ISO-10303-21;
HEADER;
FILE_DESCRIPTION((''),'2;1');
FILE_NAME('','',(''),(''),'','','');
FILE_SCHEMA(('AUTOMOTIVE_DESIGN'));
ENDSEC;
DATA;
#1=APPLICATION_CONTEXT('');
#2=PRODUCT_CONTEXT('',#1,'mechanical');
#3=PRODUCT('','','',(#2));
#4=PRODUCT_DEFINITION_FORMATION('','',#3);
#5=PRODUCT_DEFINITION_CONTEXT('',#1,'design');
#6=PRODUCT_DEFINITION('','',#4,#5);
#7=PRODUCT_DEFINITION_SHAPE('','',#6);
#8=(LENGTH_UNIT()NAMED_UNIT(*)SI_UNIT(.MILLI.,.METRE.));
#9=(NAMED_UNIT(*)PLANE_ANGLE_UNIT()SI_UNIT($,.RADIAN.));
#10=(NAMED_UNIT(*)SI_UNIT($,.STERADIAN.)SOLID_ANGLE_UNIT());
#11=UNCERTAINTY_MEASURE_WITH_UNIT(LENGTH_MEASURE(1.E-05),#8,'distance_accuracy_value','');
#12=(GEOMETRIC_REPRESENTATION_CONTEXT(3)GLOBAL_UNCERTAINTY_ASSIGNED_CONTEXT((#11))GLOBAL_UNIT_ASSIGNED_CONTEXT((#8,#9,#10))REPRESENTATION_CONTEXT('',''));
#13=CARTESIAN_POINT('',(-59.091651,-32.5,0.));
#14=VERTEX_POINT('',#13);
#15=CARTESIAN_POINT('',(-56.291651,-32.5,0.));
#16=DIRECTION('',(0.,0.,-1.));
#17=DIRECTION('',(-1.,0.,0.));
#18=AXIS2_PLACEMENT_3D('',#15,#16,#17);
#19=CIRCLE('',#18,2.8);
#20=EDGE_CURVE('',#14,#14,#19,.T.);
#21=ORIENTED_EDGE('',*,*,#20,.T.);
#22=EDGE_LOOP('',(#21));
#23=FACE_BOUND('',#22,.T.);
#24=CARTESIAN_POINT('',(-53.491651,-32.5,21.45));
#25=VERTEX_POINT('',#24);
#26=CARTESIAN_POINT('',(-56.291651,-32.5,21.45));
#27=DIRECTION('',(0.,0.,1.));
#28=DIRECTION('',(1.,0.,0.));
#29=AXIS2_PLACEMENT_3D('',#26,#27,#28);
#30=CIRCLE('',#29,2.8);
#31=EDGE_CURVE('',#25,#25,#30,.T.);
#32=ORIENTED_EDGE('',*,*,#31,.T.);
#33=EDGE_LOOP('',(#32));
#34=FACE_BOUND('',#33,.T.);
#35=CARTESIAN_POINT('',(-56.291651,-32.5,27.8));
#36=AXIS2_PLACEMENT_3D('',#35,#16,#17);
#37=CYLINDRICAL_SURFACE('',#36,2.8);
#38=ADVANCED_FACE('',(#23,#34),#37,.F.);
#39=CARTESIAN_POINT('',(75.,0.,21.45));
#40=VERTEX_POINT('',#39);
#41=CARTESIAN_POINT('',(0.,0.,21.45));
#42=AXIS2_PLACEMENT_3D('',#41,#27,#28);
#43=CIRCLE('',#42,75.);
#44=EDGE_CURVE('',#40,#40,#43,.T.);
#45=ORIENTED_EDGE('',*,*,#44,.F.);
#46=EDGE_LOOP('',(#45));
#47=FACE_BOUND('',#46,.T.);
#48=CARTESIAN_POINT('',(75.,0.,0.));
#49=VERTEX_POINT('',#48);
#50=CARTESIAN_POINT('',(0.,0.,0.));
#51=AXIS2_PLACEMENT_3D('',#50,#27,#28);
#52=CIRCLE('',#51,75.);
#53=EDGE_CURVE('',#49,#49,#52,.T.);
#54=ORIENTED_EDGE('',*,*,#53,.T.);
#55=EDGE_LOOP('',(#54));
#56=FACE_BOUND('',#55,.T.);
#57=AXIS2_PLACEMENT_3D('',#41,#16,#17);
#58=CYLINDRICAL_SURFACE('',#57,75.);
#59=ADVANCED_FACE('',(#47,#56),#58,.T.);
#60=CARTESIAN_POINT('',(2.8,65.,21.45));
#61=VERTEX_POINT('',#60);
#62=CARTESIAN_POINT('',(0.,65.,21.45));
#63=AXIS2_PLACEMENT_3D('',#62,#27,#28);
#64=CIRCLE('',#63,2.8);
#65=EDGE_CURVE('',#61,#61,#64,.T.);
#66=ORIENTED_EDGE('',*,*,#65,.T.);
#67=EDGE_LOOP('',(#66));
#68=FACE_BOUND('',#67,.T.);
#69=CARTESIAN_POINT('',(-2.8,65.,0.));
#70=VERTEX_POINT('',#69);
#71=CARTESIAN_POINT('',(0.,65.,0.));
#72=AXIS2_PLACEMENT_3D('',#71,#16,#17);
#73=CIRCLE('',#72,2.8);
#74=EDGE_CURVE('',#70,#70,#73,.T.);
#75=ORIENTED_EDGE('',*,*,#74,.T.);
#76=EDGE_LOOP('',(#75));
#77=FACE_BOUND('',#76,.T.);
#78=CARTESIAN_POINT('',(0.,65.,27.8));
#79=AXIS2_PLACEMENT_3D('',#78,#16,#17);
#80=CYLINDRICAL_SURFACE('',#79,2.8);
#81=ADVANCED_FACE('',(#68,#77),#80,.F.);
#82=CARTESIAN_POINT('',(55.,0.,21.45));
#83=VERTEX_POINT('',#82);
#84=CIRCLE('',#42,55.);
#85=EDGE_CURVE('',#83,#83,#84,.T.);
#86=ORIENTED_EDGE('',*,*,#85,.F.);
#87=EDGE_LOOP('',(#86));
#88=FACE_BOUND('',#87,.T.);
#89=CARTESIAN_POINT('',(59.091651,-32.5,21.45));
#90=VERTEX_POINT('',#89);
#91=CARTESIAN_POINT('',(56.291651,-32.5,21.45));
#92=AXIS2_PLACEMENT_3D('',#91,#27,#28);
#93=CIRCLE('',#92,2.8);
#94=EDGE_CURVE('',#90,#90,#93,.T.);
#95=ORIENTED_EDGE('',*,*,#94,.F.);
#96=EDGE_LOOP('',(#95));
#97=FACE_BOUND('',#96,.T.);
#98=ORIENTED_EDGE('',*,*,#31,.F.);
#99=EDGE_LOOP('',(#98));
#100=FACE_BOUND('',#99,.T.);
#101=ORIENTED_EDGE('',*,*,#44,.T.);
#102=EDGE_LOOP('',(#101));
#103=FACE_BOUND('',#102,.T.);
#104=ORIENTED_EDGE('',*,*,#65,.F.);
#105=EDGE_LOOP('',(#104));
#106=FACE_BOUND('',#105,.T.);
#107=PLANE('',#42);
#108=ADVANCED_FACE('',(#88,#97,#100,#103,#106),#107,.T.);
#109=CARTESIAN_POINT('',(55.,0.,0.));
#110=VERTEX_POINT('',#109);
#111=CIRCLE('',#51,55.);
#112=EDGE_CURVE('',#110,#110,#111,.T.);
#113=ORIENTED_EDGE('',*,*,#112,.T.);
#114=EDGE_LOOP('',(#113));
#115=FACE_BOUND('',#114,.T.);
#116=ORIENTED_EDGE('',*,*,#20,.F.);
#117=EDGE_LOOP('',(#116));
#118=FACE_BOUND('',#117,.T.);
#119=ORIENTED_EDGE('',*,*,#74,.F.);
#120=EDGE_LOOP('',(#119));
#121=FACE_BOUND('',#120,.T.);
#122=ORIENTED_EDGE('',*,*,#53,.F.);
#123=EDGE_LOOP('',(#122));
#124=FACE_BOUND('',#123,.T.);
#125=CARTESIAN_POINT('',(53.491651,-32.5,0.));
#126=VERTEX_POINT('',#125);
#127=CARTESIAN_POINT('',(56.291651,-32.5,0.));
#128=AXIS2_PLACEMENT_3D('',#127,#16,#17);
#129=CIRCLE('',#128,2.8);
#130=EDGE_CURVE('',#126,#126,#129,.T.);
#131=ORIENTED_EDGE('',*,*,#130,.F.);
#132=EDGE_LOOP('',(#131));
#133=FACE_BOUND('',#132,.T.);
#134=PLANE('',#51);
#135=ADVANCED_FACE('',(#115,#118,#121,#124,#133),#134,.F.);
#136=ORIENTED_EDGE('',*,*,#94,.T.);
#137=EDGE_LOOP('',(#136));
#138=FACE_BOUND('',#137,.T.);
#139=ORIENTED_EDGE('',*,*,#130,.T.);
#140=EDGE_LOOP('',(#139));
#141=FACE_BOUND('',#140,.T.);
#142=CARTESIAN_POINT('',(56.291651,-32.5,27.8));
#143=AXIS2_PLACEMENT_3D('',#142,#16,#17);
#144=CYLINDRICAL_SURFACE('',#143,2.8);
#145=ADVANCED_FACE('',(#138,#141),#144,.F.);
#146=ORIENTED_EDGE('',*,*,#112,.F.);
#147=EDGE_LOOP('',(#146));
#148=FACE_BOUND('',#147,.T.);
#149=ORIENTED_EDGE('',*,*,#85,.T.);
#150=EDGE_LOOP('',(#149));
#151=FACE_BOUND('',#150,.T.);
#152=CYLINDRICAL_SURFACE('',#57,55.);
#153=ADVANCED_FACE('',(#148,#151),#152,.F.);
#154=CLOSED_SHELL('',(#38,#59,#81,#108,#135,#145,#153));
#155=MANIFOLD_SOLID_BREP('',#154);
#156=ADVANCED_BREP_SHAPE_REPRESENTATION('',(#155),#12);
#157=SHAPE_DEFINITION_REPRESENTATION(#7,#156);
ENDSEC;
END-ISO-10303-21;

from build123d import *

# Parameters (mm, degrees)
SKETCH1_R           = 75
SKETCH1_R_2         = 55
BOSS_EXTRUDE1_DEPTH = 21.45
SKETCH3_R           = 2.8
CUT_EXTRUDE1_DEPTH  = 27.8


with BuildPart() as part:
    # Sketch1 → Boss-Extrude1 (new body)
    with BuildSketch(Plane.XY):
        Circle(SKETCH1_R)
        Circle(SKETCH1_R_2, mode=Mode.SUBTRACT)
    extrude(amount=BOSS_EXTRUDE1_DEPTH)

    # Sketch3 → Cut-Extrude1 (cut)
    with BuildSketch(Plane(origin=(0, 0, 0), x_dir=(-1, 0, 0), z_dir=(0, 0, -1))):
        with Locations((0, 65)):
            Circle(SKETCH3_R)
        with Locations((56.291651246, -32.5)):
            Circle(SKETCH3_R)
        with Locations((-56.291651246, -32.5)):
            Circle(SKETCH3_R)
    extrude(amount=-CUT_EXTRUDE1_DEPTH, mode=Mode.SUBTRACT)


solid = part.part
